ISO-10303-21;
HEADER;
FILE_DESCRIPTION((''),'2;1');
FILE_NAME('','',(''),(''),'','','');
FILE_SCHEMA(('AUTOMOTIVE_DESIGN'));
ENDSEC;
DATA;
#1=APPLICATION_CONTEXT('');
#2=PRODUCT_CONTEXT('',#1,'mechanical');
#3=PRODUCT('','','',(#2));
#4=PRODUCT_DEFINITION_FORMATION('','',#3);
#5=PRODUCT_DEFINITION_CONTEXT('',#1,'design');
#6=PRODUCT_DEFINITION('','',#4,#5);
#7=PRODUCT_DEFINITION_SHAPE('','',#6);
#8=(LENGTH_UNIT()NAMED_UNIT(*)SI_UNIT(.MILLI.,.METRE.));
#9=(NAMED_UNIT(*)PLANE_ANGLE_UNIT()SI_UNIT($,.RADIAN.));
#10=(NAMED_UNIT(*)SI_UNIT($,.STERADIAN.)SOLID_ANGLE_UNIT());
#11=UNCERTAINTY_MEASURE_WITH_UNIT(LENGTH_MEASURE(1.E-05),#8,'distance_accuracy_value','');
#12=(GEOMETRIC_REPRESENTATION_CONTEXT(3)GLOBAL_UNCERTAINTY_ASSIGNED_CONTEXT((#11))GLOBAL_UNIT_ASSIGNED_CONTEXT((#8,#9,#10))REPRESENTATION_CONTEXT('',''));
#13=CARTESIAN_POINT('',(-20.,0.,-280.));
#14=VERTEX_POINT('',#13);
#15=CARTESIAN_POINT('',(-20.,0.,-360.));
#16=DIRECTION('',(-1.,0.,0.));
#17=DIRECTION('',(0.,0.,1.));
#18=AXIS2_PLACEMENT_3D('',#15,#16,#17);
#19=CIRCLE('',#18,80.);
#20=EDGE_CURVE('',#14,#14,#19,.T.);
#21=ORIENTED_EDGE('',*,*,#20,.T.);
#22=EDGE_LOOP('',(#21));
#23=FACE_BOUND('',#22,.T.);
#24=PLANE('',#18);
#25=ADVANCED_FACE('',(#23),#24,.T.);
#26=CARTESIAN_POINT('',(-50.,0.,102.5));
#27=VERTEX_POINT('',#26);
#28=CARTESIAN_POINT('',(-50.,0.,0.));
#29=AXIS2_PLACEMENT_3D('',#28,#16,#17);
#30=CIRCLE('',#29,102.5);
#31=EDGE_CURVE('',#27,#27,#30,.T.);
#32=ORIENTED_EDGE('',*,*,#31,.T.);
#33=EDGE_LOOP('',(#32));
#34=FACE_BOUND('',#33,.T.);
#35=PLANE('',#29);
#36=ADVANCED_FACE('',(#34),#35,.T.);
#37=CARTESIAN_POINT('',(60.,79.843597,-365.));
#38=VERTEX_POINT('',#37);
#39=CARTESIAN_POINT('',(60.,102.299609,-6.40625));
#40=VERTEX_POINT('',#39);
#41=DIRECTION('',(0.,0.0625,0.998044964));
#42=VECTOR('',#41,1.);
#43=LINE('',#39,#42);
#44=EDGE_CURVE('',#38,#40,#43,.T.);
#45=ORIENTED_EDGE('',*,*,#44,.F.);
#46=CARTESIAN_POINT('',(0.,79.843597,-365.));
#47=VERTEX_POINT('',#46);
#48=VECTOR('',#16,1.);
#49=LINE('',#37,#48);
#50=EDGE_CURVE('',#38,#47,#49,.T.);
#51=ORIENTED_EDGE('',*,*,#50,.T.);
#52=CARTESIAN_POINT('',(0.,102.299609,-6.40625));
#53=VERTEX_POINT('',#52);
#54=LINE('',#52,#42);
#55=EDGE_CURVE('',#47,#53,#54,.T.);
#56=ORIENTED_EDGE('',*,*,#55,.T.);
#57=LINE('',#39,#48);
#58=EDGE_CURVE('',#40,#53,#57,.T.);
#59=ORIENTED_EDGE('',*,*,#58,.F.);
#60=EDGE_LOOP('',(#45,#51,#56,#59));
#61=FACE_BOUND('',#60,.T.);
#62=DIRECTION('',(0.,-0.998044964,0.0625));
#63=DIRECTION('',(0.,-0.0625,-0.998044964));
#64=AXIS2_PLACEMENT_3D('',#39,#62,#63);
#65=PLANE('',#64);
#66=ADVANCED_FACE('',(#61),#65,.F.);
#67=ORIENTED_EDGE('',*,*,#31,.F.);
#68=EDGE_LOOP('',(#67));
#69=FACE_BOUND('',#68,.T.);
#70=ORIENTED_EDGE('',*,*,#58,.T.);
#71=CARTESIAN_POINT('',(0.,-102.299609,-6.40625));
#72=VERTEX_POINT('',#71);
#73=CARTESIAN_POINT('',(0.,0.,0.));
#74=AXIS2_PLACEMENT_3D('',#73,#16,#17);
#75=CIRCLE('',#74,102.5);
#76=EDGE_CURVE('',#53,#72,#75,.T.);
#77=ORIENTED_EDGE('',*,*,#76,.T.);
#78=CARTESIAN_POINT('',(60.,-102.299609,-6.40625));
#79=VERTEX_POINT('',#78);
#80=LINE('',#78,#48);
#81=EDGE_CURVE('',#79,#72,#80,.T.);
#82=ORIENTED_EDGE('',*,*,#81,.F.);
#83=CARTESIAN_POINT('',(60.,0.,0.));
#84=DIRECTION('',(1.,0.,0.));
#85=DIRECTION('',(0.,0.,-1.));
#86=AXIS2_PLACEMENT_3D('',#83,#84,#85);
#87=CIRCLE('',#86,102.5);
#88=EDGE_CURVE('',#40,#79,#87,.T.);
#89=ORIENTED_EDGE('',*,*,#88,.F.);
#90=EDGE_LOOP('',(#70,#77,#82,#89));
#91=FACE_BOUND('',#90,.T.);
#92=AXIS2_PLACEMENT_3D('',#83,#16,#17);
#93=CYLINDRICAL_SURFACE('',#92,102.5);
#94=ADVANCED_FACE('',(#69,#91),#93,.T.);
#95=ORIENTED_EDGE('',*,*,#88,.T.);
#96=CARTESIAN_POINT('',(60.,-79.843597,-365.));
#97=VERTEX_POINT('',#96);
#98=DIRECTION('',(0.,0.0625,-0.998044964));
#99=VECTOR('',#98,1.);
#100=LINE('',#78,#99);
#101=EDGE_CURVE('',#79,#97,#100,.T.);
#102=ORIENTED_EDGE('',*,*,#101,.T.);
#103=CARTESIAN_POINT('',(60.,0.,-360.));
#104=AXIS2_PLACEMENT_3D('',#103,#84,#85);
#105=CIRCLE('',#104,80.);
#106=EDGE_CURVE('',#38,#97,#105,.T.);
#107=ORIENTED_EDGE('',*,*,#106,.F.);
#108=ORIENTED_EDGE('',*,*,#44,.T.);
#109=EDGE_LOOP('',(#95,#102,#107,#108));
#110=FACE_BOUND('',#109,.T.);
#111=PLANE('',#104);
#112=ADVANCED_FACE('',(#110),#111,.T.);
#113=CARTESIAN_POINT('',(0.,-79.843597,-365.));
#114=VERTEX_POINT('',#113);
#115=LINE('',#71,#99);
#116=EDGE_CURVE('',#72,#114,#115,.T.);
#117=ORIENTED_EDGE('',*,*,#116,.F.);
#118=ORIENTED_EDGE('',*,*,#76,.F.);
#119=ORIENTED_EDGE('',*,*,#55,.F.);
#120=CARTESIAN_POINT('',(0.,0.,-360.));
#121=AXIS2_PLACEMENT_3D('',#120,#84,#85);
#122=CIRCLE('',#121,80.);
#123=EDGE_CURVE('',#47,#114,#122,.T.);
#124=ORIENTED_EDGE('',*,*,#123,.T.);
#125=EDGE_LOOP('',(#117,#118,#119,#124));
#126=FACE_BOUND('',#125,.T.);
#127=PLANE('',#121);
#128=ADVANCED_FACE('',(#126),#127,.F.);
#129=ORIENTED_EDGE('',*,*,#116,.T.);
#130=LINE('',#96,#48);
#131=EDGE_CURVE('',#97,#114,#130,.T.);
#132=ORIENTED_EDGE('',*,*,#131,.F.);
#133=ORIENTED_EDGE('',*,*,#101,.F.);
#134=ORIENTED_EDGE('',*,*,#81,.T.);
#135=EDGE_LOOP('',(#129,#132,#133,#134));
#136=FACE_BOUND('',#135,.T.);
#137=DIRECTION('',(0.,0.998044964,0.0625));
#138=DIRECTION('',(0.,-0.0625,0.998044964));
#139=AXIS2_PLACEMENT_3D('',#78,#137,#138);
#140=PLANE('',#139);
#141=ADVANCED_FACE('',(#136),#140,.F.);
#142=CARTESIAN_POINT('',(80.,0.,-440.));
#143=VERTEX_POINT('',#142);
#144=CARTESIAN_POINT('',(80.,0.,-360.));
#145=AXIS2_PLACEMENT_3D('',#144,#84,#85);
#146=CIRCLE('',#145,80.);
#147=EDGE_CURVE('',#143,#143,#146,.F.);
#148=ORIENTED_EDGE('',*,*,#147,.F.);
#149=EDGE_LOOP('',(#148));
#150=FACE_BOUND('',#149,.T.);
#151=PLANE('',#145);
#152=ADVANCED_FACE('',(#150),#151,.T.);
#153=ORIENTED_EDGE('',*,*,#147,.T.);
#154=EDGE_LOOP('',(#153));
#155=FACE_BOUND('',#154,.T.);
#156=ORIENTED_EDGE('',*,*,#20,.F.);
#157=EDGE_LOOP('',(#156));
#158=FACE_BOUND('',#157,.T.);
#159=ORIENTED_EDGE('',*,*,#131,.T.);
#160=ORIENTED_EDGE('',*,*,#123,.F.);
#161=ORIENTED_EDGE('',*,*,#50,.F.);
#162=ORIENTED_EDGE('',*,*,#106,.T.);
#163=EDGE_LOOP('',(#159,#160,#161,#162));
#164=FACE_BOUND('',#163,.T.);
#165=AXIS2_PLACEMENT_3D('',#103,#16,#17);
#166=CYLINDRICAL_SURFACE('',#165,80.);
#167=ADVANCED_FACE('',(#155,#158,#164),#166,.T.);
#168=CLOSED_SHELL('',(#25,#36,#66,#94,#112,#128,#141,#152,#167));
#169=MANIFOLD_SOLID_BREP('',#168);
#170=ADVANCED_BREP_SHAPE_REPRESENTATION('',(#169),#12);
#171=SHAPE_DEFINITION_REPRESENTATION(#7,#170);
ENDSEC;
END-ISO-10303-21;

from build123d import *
from build123d.topology import SkipClean

# Parameters (mm, degrees)
BOSS_EXTRUDE2_DEPTH      = 60
BOSS_EXTRUDE4_START      = 50
SKETCH5_R                = 102.5
BOSS_EXTRUDE4_DEPTH      = 50
BOSS_EXTRUDE7_DEPTH      = 20
BOSS_EXTRUDE7_DEPTH_BACK = 80
SKETCH6_R                = 80


with BuildPart() as part:
    # Sketch2 → Boss-Extrude2 (new body)
    with BuildSketch(Plane(origin=(0, 0, 0), x_dir=(0, 0, -1), z_dir=(1, 0, 0))):
        with BuildLine():
            Line((6.40625, 102.299608801), (365, 79.843597113))
            ThreePointArc((365, 79.843597113), (440, 0), (365, -79.843597113))
            Line((365, -79.843597113), (6.40625, -102.299608801))
            ThreePointArc((6.40625, -102.299608801), (-102.5, 0), (6.40625, 102.299608801))
        make_face()
    extrude(amount=BOSS_EXTRUDE2_DEPTH)

    # Sketch5 → Boss-Extrude4 (add)
    with BuildSketch(Plane.ZY.offset(BOSS_EXTRUDE4_START)):
        Circle(SKETCH5_R)
    extrude(amount=-BOSS_EXTRUDE4_DEPTH)

    # Sketch6 → Boss-Extrude7 (add, two sides: drawn at the far end of the back side and taken through both)
    with SkipClean():  # the faces are left unmerged after this step: merging them gives an invalid solid
        with BuildSketch(Plane.ZY.offset(-BOSS_EXTRUDE7_DEPTH_BACK)):
            with Locations((-360, 0)):
                Circle(SKETCH6_R)
        extrude(amount=BOSS_EXTRUDE7_DEPTH + BOSS_EXTRUDE7_DEPTH_BACK)


solid = part.part
